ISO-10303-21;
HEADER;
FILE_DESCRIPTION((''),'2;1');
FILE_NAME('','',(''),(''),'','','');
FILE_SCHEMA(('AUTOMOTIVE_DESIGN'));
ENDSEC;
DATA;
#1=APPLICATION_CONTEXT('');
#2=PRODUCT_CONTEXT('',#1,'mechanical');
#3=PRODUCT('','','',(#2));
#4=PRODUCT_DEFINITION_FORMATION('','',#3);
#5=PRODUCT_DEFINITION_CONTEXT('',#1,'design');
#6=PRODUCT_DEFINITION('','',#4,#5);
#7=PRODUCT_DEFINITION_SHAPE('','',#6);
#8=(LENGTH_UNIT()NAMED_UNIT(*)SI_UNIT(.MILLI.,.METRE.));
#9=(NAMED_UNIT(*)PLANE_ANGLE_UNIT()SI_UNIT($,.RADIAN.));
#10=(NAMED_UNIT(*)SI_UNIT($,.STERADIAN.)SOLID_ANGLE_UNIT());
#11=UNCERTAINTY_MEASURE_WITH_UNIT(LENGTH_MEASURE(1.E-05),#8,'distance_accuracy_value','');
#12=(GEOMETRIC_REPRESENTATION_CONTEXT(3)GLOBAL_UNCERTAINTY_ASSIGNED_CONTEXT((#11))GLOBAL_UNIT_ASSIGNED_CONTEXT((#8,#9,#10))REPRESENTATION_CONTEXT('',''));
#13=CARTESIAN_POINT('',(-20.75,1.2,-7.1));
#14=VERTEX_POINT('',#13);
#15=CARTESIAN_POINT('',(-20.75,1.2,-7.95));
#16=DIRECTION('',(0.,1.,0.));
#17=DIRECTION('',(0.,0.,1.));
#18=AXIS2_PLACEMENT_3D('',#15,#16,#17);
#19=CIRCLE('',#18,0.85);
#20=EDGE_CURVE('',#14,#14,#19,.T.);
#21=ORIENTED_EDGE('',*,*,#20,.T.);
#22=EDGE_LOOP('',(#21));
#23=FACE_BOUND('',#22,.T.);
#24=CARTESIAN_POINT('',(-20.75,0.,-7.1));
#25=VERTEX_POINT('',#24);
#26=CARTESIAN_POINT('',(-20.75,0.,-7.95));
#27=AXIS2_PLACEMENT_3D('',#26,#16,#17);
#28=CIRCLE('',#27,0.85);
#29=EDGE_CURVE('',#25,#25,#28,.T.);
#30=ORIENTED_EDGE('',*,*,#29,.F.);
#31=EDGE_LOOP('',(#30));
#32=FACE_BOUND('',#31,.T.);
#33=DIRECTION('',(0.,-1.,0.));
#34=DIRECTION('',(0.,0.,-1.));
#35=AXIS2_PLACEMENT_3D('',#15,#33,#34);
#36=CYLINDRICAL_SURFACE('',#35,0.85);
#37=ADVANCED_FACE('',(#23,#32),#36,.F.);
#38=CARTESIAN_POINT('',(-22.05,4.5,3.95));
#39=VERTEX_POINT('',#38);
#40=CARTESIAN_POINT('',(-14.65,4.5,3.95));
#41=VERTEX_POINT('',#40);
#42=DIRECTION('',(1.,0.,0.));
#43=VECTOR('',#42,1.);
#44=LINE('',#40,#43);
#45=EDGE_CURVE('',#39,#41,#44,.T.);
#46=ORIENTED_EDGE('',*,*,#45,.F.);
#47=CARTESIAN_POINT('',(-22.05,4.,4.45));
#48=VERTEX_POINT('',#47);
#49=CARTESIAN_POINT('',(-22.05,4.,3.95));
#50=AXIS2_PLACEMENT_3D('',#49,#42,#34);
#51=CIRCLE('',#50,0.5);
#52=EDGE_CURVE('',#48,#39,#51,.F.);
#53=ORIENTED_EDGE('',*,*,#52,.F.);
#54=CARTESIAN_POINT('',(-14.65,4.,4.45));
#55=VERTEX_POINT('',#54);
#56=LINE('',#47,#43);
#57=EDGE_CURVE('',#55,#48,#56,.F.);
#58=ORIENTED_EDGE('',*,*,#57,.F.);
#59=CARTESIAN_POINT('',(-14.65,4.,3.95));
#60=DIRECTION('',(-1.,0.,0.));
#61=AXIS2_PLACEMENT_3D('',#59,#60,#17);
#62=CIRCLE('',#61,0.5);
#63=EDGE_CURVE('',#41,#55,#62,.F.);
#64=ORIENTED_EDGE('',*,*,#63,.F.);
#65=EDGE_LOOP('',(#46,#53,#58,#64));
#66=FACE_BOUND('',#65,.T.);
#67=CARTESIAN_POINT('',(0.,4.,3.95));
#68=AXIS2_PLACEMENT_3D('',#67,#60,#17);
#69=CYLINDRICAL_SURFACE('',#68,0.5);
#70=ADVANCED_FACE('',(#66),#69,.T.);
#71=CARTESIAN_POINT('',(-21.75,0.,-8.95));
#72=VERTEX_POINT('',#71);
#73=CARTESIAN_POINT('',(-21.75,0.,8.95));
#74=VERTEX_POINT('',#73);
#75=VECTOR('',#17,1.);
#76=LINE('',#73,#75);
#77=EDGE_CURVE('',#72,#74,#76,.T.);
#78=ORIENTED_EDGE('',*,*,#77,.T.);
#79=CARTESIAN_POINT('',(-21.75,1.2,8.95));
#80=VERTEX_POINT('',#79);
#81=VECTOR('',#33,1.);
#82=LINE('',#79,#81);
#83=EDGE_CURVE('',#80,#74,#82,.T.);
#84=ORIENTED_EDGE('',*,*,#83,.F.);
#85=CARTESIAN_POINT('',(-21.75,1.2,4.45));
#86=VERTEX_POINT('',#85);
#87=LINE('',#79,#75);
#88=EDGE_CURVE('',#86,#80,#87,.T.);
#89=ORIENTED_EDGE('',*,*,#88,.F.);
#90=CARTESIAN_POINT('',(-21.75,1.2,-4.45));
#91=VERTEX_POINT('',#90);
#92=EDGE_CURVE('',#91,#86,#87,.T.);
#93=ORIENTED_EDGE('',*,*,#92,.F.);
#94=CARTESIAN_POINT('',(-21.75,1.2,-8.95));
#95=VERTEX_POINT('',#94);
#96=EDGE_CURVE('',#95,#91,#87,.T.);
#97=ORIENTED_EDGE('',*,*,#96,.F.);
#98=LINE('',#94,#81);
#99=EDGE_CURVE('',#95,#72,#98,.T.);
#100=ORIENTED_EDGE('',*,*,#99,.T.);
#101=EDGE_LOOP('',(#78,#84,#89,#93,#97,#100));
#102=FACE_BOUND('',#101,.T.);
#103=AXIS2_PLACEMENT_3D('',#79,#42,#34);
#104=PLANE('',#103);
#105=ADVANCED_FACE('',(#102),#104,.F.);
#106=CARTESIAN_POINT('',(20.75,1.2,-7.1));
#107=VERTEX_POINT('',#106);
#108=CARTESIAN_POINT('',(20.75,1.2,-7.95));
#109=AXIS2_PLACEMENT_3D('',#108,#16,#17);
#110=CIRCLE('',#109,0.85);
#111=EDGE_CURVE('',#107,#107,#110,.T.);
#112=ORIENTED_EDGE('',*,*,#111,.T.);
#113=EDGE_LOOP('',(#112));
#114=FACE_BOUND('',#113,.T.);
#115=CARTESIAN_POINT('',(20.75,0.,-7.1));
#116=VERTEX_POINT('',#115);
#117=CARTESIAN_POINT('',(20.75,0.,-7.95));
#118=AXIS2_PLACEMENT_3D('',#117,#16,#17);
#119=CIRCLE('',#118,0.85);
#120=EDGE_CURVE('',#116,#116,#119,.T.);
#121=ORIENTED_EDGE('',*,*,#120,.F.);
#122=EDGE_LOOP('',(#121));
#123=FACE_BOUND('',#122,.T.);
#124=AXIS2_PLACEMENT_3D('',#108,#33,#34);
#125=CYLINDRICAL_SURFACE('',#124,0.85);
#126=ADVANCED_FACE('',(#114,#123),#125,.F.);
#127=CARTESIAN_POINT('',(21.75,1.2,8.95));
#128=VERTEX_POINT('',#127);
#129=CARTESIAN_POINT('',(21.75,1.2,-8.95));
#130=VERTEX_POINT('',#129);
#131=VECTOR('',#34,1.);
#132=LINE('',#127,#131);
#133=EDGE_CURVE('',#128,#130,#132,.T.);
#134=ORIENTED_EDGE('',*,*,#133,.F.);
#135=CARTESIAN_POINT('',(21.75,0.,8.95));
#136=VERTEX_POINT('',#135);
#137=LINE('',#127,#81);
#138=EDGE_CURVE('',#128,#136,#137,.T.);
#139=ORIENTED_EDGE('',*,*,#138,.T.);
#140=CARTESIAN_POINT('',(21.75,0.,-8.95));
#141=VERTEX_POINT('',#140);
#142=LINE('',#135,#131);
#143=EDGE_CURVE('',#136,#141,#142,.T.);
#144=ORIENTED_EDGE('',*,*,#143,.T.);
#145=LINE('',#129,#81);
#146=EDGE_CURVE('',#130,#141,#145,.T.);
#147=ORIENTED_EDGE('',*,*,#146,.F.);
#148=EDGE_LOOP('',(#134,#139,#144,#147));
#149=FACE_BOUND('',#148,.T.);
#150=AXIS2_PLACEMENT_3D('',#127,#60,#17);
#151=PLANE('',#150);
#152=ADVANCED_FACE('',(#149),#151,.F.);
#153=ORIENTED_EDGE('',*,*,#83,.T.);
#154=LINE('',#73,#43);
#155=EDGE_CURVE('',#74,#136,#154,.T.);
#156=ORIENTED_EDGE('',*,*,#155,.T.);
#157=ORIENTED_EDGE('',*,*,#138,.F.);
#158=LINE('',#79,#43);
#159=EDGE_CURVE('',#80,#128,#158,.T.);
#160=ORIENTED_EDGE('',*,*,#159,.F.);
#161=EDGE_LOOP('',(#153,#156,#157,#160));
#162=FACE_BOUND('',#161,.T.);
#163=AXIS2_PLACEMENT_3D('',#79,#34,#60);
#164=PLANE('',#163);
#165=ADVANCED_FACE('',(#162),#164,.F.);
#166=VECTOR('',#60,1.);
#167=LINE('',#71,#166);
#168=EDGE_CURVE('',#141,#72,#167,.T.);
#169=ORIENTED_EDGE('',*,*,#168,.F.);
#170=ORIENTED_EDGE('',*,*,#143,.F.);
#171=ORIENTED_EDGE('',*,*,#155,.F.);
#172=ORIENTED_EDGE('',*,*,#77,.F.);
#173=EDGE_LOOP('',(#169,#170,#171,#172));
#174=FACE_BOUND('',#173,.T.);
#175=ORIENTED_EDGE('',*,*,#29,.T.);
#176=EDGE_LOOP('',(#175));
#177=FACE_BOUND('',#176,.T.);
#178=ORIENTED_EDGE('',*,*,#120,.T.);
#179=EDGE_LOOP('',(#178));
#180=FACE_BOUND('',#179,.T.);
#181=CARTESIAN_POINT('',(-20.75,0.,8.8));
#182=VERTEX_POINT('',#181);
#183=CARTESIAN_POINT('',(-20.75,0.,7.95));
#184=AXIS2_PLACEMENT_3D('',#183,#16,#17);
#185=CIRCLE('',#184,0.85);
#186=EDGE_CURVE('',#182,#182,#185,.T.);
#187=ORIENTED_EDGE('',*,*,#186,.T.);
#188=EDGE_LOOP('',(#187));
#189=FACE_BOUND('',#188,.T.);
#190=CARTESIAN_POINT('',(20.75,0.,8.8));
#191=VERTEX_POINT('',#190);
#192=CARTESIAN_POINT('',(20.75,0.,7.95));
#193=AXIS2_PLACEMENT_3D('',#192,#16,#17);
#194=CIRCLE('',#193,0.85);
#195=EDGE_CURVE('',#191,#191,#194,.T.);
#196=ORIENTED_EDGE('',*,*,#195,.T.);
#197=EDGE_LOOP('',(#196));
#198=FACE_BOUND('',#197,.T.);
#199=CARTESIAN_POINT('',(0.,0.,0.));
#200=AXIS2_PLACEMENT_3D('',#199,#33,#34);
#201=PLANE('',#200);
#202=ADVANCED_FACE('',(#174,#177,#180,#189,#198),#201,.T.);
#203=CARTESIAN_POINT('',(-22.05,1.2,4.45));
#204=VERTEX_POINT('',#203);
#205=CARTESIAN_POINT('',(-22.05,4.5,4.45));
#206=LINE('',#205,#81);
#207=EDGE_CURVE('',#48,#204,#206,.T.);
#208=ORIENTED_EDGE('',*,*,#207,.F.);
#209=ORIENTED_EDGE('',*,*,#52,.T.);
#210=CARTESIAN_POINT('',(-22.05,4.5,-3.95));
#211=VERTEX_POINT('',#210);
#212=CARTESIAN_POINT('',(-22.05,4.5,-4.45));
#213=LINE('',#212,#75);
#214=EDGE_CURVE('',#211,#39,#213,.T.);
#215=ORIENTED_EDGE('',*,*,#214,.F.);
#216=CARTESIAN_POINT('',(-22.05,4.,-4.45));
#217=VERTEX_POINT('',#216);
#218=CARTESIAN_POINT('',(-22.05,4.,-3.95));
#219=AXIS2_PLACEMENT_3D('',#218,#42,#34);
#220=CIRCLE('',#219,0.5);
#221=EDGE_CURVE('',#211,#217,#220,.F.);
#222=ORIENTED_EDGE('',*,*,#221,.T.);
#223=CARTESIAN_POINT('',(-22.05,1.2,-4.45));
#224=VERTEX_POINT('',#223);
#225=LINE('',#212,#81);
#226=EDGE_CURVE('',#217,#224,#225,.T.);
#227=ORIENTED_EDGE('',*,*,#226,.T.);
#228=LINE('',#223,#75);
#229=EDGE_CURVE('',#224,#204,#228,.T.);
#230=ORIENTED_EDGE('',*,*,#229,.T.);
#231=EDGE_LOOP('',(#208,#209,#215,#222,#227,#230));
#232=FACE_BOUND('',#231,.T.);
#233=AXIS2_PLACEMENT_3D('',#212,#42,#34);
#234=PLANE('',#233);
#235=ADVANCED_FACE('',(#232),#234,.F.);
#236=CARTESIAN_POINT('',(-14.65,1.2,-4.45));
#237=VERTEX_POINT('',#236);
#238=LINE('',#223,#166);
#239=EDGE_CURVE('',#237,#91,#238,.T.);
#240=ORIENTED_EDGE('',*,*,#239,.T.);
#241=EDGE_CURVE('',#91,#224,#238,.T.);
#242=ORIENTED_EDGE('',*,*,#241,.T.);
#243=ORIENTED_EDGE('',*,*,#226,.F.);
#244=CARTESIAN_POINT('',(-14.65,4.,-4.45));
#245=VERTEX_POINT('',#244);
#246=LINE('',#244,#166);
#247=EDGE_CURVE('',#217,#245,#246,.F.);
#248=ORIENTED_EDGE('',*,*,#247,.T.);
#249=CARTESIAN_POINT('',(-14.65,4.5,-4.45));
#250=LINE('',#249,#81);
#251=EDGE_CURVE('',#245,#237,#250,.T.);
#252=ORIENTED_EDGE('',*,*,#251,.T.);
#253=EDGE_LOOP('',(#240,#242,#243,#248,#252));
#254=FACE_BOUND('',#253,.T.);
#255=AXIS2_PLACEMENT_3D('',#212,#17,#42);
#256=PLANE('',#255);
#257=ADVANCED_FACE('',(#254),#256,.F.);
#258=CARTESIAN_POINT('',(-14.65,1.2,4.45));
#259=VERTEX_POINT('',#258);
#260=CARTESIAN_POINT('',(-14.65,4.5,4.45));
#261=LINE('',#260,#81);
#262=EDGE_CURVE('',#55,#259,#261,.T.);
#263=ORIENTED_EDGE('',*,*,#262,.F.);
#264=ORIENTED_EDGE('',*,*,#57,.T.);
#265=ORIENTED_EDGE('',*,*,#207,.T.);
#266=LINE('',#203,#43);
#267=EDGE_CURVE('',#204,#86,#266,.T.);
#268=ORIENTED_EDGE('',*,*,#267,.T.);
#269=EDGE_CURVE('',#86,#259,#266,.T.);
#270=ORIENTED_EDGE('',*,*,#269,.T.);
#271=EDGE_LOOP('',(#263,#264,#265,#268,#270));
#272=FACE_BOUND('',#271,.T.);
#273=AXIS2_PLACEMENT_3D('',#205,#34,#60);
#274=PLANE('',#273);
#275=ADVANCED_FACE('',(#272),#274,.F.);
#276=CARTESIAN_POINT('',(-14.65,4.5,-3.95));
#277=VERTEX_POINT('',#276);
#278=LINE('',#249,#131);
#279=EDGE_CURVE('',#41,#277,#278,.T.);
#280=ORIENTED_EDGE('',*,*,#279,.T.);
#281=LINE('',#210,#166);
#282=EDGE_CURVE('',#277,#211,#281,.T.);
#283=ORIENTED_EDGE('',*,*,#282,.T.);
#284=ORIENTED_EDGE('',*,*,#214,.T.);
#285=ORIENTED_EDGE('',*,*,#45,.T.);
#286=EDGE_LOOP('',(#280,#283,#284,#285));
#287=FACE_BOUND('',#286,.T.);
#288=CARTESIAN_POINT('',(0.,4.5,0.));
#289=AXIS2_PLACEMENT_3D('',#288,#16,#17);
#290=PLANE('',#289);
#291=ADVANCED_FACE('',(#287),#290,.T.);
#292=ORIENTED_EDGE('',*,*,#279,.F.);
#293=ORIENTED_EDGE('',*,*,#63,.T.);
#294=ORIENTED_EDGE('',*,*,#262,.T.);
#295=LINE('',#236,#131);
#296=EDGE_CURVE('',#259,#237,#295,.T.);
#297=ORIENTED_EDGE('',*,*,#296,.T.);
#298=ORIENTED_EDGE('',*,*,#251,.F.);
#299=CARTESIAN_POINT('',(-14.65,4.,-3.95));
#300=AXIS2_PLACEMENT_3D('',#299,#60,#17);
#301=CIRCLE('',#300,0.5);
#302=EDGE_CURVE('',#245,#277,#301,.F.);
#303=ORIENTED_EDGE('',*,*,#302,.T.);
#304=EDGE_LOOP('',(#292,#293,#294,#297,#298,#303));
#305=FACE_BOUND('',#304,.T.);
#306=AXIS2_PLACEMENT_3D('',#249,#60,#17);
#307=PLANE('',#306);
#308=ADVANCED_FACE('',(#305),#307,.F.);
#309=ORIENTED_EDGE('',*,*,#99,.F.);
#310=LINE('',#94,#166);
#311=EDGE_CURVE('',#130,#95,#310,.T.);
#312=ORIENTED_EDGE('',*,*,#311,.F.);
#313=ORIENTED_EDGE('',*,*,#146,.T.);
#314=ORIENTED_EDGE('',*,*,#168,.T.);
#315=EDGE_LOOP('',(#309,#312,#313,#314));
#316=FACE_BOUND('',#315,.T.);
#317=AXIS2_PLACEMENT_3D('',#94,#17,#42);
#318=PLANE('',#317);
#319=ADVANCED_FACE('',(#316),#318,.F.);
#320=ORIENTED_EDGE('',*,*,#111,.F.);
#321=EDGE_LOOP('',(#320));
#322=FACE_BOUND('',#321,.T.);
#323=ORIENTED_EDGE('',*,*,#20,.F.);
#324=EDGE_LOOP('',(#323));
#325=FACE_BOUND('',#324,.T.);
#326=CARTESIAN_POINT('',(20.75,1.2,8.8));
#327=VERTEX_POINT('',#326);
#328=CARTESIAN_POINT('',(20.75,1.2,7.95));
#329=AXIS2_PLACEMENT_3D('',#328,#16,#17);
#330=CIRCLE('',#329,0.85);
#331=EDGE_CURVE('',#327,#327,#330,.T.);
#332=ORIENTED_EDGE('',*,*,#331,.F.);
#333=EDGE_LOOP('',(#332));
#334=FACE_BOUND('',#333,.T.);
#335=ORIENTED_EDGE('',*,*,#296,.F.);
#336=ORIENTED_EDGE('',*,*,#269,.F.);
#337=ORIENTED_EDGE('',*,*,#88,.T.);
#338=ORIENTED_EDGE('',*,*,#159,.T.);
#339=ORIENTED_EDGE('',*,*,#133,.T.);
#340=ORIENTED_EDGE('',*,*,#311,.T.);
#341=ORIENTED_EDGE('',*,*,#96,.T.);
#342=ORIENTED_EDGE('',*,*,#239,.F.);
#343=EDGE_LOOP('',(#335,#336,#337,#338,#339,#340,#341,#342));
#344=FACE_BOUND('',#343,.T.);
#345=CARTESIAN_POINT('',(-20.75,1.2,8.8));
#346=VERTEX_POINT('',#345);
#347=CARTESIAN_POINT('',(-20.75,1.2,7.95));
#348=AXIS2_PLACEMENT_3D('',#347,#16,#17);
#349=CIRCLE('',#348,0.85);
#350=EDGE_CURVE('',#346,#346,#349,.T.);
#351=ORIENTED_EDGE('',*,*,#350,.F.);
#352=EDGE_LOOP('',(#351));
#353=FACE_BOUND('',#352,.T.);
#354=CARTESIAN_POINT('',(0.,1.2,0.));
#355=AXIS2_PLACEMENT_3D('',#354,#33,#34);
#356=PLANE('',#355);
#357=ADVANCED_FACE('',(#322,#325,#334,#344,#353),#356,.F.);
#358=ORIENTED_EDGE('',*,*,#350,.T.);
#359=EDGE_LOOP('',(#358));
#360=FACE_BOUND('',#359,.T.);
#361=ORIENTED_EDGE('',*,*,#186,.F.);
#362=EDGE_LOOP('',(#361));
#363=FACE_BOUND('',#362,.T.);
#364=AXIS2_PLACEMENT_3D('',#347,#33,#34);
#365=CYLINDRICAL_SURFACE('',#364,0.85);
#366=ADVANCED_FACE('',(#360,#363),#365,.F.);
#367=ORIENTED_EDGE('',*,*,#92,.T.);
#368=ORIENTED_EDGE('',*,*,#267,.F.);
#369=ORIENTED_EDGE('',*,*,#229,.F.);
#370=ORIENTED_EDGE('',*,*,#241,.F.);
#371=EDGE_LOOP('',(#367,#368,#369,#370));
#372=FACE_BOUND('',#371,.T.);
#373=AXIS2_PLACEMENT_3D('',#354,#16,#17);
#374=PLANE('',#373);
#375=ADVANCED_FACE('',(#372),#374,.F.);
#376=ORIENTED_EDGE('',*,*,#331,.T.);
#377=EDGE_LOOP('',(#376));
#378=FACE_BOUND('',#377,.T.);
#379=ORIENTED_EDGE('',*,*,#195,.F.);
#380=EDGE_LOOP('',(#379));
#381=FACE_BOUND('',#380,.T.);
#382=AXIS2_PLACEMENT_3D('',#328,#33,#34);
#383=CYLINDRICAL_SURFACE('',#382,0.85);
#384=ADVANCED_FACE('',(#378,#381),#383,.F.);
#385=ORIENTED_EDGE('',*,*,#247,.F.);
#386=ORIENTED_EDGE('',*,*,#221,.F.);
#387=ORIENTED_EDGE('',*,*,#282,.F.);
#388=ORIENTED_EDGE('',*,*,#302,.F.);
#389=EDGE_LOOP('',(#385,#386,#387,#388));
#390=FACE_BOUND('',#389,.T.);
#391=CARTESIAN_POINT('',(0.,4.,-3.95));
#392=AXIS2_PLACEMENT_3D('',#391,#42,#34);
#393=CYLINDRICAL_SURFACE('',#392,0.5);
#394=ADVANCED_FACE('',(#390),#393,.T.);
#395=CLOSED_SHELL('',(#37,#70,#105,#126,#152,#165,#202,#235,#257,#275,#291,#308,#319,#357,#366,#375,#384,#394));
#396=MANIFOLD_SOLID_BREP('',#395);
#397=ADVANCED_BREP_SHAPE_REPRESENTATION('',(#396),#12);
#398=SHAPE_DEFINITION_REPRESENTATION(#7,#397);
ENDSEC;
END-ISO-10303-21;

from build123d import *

# Parameters (mm, degrees)
SKETCH1_W           = 43.5
SKETCH1_H           = 17.9
SKETCH1_R           = 0.85
BOSS_EXTRUDE1_DEPTH = 1.2
SKETCH2_W           = 7.4
SKETCH2_H           = 8.9
BOSS_EXTRUDE2_DEPTH = 3.3
FILLET1_R           = 0.5


with BuildPart() as part:
    # Sketch1 → Boss-Extrude1 (new body)
    with BuildSketch(Plane(origin=(0, 0, 0), x_dir=(1, 0, 0), z_dir=(0, 1, 0))):
        Rectangle(SKETCH1_W, SKETCH1_H)
        with Locations(Location((-20.75, 7.95, 0), (0, 0, 270))):
            Circle(SKETCH1_R, mode=Mode.SUBTRACT)
        with Locations(Location((20.75, -7.95, 0), (0, 0, 270))):
            Circle(SKETCH1_R, mode=Mode.SUBTRACT)
        with Locations(Location((20.75, 7.95, 0), (0, 0, 270))):
            Circle(SKETCH1_R, mode=Mode.SUBTRACT)
        with Locations(Location((-20.75, -7.95, 0), (0, 0, 270))):
            Circle(SKETCH1_R, mode=Mode.SUBTRACT)
    extrude(amount=BOSS_EXTRUDE1_DEPTH)

    # Sketch2 → Boss-Extrude2 (add)
    with BuildSketch(Plane(origin=(0, 1.2, 0), x_dir=(1, 0, 0), z_dir=(0, 1, 0))):
        with Locations((-18.35, 0)):
            Rectangle(SKETCH2_W, SKETCH2_H)
    extrude(amount=BOSS_EXTRUDE2_DEPTH)

    # Fillet1
    fillet1_edges = [part.edges().sort_by_distance(p)[0] for p in [
        (-18.35, 4.5, 4.45),
        (-18.35, 4.5, -4.45),
    ]]
    fillet(fillet1_edges, radius=FILLET1_R)


solid = part.part
